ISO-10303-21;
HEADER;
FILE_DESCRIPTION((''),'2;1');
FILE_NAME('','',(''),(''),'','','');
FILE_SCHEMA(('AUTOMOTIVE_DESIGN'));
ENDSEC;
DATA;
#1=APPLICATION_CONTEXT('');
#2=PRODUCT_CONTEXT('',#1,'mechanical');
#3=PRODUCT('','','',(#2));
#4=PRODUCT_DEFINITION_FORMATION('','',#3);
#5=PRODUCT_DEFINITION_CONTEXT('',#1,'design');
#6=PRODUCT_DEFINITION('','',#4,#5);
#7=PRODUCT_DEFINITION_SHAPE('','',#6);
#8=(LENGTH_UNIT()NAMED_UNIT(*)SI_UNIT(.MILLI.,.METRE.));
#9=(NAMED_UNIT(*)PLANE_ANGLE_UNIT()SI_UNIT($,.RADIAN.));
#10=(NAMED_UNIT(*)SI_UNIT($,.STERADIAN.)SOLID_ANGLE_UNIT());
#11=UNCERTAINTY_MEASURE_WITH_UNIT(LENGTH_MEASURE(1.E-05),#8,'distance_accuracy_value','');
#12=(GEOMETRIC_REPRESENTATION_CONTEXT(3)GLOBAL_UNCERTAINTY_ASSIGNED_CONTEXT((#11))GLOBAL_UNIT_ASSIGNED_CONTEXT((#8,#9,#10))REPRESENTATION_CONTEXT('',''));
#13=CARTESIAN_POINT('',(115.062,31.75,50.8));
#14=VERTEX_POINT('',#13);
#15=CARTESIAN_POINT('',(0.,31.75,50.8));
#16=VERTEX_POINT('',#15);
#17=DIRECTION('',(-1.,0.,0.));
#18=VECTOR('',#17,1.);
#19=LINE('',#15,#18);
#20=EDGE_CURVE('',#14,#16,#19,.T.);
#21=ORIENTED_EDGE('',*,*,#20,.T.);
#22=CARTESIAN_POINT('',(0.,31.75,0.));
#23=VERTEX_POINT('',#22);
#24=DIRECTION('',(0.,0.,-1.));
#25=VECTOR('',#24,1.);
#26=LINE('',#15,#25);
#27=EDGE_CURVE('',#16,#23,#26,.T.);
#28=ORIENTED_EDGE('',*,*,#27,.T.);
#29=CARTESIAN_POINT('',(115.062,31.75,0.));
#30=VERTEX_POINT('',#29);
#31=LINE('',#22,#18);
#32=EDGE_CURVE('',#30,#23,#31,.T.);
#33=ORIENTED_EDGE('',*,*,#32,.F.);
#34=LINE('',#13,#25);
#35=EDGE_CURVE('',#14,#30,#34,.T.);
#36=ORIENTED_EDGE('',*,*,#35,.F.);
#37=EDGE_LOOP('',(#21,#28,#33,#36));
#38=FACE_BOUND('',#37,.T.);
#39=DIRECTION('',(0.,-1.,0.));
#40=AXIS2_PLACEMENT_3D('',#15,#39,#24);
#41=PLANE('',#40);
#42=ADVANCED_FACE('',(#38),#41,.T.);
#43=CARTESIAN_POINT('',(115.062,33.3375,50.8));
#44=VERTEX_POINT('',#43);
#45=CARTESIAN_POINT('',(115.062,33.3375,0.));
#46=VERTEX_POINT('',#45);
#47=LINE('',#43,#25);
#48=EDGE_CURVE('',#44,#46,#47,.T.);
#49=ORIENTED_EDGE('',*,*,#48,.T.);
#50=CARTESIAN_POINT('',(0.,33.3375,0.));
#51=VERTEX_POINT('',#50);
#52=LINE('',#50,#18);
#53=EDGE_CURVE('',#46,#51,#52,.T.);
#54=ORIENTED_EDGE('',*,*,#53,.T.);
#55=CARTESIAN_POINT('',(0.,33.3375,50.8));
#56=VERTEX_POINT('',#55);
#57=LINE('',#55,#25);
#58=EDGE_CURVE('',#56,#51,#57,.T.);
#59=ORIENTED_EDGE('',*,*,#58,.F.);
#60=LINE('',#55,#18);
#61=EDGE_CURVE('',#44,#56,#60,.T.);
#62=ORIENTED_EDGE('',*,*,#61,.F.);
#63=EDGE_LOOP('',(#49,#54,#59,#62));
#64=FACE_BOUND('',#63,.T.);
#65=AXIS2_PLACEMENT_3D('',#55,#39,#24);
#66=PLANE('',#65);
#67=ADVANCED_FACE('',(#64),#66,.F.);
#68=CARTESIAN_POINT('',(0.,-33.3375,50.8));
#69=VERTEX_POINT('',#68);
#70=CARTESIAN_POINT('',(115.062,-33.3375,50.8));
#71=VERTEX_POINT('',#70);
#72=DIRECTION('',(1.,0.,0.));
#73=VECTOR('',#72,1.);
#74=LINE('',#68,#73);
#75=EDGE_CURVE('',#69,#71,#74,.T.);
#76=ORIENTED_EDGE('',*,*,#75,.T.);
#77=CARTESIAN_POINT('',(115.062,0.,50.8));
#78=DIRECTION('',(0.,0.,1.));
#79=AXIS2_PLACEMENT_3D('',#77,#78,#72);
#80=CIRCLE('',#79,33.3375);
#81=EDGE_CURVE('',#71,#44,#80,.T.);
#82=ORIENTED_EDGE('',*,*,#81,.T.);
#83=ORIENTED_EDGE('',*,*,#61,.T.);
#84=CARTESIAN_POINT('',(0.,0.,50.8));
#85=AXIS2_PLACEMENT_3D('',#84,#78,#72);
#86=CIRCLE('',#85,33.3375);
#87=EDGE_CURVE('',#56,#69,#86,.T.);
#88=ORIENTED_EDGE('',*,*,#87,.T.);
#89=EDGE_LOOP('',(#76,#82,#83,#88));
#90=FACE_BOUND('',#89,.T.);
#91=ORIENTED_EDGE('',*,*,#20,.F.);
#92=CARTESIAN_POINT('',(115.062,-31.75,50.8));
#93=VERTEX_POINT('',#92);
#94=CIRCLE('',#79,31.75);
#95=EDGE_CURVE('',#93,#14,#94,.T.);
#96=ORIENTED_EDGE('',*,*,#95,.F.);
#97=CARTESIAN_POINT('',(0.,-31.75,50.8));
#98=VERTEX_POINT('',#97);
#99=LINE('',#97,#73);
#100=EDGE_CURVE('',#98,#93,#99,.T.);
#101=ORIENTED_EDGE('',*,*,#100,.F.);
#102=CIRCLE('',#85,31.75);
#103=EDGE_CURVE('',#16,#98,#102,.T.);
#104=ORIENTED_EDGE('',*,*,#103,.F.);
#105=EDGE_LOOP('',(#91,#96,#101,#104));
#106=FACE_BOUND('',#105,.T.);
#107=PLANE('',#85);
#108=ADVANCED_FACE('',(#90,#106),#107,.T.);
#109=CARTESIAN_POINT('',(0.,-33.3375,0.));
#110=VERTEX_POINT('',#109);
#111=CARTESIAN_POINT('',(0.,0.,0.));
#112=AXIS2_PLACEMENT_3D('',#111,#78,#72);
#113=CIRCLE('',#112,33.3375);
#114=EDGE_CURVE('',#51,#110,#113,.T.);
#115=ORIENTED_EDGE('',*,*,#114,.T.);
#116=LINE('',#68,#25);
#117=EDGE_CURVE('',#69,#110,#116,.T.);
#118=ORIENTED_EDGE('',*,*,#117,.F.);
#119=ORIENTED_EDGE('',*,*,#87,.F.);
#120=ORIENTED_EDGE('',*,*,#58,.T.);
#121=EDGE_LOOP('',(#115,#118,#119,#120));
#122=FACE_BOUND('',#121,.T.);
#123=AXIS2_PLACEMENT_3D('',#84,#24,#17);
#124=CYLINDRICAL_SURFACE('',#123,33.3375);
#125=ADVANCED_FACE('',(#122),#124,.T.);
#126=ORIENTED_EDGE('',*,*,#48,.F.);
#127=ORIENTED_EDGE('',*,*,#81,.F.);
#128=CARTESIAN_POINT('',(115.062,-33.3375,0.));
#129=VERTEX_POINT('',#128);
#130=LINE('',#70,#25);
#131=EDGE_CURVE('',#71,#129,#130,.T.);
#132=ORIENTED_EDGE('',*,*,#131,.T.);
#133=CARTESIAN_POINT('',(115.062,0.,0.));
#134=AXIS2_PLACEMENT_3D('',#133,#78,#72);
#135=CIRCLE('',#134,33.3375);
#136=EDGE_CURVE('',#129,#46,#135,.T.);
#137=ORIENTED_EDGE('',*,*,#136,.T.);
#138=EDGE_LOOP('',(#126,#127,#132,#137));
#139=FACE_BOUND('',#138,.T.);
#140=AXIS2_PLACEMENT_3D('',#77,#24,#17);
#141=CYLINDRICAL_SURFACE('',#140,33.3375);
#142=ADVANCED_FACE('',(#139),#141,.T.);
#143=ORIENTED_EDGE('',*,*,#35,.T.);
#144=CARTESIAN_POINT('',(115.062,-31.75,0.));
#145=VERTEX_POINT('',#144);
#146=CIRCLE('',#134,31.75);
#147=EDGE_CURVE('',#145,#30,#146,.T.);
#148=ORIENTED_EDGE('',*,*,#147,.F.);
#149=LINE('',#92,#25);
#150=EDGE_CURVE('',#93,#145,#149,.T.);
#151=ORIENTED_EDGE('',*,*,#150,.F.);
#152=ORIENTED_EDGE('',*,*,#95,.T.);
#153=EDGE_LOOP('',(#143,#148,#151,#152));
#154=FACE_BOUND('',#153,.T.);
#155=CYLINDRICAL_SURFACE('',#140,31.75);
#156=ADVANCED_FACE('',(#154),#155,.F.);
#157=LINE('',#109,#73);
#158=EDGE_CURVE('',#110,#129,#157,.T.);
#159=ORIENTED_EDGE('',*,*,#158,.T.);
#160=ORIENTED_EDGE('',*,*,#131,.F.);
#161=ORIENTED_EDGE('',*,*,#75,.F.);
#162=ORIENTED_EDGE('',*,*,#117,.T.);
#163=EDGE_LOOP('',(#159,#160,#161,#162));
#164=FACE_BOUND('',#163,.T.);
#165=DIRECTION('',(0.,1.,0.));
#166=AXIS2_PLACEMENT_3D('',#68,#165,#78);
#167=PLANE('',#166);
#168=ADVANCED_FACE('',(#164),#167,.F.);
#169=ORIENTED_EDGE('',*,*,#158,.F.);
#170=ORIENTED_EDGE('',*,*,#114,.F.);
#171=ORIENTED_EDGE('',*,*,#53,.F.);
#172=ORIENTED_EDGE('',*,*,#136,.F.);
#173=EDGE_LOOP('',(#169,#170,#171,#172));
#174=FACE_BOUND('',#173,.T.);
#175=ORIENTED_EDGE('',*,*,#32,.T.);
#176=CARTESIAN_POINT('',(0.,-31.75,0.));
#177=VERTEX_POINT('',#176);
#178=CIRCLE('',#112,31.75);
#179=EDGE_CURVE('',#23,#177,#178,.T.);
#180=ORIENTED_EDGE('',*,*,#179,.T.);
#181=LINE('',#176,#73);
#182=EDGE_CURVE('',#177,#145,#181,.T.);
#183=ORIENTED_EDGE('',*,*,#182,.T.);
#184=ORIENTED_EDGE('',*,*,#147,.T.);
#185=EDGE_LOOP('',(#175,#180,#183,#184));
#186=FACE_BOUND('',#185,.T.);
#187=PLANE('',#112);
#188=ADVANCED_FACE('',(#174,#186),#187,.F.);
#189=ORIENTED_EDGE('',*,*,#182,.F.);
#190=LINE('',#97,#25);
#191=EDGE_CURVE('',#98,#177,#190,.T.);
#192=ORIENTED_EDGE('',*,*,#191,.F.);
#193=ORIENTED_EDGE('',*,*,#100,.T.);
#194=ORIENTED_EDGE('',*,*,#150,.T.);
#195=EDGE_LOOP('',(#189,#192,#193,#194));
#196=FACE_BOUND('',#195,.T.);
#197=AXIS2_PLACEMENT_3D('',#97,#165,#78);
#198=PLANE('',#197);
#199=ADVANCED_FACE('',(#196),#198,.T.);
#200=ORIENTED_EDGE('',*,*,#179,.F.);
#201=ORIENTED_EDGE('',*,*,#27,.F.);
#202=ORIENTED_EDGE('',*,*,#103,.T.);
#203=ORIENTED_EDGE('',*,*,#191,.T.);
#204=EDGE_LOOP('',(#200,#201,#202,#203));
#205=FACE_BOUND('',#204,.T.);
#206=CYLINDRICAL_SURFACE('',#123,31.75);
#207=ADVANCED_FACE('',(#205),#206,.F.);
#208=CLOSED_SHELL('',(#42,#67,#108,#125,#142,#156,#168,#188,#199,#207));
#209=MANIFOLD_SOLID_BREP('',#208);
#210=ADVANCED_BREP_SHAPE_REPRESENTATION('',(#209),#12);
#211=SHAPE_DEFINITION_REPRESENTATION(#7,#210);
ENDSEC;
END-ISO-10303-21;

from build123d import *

# Parameters (mm, degrees)
BOSS_EXTRUDE1_DEPTH = 50.8


with BuildPart() as part:
    # Sketch1 → Boss-Extrude1 (new body)
    with BuildSketch(Plane.XY):
        with BuildLine():
            Line((0, 33.3375), (115.062, 33.3375))
            ThreePointArc((115.062, 33.3375), (148.3995, 0), (115.062, -33.3375))
            Line((115.062, -33.3375), (0, -33.3375))
            ThreePointArc((0, -33.3375), (-33.3375, 0), (0, 33.3375))
        make_face()
        with BuildLine():
            Line((0, 31.75), (115.062, 31.75))
            ThreePointArc((115.062, 31.75), (146.812, 0), (115.062, -31.75))
            Line((115.062, -31.75), (0, -31.75))
            ThreePointArc((0, -31.75), (-31.75, 0), (0, 31.75))
        make_face(mode=Mode.SUBTRACT)
    extrude(amount=BOSS_EXTRUDE1_DEPTH)


solid = part.part
